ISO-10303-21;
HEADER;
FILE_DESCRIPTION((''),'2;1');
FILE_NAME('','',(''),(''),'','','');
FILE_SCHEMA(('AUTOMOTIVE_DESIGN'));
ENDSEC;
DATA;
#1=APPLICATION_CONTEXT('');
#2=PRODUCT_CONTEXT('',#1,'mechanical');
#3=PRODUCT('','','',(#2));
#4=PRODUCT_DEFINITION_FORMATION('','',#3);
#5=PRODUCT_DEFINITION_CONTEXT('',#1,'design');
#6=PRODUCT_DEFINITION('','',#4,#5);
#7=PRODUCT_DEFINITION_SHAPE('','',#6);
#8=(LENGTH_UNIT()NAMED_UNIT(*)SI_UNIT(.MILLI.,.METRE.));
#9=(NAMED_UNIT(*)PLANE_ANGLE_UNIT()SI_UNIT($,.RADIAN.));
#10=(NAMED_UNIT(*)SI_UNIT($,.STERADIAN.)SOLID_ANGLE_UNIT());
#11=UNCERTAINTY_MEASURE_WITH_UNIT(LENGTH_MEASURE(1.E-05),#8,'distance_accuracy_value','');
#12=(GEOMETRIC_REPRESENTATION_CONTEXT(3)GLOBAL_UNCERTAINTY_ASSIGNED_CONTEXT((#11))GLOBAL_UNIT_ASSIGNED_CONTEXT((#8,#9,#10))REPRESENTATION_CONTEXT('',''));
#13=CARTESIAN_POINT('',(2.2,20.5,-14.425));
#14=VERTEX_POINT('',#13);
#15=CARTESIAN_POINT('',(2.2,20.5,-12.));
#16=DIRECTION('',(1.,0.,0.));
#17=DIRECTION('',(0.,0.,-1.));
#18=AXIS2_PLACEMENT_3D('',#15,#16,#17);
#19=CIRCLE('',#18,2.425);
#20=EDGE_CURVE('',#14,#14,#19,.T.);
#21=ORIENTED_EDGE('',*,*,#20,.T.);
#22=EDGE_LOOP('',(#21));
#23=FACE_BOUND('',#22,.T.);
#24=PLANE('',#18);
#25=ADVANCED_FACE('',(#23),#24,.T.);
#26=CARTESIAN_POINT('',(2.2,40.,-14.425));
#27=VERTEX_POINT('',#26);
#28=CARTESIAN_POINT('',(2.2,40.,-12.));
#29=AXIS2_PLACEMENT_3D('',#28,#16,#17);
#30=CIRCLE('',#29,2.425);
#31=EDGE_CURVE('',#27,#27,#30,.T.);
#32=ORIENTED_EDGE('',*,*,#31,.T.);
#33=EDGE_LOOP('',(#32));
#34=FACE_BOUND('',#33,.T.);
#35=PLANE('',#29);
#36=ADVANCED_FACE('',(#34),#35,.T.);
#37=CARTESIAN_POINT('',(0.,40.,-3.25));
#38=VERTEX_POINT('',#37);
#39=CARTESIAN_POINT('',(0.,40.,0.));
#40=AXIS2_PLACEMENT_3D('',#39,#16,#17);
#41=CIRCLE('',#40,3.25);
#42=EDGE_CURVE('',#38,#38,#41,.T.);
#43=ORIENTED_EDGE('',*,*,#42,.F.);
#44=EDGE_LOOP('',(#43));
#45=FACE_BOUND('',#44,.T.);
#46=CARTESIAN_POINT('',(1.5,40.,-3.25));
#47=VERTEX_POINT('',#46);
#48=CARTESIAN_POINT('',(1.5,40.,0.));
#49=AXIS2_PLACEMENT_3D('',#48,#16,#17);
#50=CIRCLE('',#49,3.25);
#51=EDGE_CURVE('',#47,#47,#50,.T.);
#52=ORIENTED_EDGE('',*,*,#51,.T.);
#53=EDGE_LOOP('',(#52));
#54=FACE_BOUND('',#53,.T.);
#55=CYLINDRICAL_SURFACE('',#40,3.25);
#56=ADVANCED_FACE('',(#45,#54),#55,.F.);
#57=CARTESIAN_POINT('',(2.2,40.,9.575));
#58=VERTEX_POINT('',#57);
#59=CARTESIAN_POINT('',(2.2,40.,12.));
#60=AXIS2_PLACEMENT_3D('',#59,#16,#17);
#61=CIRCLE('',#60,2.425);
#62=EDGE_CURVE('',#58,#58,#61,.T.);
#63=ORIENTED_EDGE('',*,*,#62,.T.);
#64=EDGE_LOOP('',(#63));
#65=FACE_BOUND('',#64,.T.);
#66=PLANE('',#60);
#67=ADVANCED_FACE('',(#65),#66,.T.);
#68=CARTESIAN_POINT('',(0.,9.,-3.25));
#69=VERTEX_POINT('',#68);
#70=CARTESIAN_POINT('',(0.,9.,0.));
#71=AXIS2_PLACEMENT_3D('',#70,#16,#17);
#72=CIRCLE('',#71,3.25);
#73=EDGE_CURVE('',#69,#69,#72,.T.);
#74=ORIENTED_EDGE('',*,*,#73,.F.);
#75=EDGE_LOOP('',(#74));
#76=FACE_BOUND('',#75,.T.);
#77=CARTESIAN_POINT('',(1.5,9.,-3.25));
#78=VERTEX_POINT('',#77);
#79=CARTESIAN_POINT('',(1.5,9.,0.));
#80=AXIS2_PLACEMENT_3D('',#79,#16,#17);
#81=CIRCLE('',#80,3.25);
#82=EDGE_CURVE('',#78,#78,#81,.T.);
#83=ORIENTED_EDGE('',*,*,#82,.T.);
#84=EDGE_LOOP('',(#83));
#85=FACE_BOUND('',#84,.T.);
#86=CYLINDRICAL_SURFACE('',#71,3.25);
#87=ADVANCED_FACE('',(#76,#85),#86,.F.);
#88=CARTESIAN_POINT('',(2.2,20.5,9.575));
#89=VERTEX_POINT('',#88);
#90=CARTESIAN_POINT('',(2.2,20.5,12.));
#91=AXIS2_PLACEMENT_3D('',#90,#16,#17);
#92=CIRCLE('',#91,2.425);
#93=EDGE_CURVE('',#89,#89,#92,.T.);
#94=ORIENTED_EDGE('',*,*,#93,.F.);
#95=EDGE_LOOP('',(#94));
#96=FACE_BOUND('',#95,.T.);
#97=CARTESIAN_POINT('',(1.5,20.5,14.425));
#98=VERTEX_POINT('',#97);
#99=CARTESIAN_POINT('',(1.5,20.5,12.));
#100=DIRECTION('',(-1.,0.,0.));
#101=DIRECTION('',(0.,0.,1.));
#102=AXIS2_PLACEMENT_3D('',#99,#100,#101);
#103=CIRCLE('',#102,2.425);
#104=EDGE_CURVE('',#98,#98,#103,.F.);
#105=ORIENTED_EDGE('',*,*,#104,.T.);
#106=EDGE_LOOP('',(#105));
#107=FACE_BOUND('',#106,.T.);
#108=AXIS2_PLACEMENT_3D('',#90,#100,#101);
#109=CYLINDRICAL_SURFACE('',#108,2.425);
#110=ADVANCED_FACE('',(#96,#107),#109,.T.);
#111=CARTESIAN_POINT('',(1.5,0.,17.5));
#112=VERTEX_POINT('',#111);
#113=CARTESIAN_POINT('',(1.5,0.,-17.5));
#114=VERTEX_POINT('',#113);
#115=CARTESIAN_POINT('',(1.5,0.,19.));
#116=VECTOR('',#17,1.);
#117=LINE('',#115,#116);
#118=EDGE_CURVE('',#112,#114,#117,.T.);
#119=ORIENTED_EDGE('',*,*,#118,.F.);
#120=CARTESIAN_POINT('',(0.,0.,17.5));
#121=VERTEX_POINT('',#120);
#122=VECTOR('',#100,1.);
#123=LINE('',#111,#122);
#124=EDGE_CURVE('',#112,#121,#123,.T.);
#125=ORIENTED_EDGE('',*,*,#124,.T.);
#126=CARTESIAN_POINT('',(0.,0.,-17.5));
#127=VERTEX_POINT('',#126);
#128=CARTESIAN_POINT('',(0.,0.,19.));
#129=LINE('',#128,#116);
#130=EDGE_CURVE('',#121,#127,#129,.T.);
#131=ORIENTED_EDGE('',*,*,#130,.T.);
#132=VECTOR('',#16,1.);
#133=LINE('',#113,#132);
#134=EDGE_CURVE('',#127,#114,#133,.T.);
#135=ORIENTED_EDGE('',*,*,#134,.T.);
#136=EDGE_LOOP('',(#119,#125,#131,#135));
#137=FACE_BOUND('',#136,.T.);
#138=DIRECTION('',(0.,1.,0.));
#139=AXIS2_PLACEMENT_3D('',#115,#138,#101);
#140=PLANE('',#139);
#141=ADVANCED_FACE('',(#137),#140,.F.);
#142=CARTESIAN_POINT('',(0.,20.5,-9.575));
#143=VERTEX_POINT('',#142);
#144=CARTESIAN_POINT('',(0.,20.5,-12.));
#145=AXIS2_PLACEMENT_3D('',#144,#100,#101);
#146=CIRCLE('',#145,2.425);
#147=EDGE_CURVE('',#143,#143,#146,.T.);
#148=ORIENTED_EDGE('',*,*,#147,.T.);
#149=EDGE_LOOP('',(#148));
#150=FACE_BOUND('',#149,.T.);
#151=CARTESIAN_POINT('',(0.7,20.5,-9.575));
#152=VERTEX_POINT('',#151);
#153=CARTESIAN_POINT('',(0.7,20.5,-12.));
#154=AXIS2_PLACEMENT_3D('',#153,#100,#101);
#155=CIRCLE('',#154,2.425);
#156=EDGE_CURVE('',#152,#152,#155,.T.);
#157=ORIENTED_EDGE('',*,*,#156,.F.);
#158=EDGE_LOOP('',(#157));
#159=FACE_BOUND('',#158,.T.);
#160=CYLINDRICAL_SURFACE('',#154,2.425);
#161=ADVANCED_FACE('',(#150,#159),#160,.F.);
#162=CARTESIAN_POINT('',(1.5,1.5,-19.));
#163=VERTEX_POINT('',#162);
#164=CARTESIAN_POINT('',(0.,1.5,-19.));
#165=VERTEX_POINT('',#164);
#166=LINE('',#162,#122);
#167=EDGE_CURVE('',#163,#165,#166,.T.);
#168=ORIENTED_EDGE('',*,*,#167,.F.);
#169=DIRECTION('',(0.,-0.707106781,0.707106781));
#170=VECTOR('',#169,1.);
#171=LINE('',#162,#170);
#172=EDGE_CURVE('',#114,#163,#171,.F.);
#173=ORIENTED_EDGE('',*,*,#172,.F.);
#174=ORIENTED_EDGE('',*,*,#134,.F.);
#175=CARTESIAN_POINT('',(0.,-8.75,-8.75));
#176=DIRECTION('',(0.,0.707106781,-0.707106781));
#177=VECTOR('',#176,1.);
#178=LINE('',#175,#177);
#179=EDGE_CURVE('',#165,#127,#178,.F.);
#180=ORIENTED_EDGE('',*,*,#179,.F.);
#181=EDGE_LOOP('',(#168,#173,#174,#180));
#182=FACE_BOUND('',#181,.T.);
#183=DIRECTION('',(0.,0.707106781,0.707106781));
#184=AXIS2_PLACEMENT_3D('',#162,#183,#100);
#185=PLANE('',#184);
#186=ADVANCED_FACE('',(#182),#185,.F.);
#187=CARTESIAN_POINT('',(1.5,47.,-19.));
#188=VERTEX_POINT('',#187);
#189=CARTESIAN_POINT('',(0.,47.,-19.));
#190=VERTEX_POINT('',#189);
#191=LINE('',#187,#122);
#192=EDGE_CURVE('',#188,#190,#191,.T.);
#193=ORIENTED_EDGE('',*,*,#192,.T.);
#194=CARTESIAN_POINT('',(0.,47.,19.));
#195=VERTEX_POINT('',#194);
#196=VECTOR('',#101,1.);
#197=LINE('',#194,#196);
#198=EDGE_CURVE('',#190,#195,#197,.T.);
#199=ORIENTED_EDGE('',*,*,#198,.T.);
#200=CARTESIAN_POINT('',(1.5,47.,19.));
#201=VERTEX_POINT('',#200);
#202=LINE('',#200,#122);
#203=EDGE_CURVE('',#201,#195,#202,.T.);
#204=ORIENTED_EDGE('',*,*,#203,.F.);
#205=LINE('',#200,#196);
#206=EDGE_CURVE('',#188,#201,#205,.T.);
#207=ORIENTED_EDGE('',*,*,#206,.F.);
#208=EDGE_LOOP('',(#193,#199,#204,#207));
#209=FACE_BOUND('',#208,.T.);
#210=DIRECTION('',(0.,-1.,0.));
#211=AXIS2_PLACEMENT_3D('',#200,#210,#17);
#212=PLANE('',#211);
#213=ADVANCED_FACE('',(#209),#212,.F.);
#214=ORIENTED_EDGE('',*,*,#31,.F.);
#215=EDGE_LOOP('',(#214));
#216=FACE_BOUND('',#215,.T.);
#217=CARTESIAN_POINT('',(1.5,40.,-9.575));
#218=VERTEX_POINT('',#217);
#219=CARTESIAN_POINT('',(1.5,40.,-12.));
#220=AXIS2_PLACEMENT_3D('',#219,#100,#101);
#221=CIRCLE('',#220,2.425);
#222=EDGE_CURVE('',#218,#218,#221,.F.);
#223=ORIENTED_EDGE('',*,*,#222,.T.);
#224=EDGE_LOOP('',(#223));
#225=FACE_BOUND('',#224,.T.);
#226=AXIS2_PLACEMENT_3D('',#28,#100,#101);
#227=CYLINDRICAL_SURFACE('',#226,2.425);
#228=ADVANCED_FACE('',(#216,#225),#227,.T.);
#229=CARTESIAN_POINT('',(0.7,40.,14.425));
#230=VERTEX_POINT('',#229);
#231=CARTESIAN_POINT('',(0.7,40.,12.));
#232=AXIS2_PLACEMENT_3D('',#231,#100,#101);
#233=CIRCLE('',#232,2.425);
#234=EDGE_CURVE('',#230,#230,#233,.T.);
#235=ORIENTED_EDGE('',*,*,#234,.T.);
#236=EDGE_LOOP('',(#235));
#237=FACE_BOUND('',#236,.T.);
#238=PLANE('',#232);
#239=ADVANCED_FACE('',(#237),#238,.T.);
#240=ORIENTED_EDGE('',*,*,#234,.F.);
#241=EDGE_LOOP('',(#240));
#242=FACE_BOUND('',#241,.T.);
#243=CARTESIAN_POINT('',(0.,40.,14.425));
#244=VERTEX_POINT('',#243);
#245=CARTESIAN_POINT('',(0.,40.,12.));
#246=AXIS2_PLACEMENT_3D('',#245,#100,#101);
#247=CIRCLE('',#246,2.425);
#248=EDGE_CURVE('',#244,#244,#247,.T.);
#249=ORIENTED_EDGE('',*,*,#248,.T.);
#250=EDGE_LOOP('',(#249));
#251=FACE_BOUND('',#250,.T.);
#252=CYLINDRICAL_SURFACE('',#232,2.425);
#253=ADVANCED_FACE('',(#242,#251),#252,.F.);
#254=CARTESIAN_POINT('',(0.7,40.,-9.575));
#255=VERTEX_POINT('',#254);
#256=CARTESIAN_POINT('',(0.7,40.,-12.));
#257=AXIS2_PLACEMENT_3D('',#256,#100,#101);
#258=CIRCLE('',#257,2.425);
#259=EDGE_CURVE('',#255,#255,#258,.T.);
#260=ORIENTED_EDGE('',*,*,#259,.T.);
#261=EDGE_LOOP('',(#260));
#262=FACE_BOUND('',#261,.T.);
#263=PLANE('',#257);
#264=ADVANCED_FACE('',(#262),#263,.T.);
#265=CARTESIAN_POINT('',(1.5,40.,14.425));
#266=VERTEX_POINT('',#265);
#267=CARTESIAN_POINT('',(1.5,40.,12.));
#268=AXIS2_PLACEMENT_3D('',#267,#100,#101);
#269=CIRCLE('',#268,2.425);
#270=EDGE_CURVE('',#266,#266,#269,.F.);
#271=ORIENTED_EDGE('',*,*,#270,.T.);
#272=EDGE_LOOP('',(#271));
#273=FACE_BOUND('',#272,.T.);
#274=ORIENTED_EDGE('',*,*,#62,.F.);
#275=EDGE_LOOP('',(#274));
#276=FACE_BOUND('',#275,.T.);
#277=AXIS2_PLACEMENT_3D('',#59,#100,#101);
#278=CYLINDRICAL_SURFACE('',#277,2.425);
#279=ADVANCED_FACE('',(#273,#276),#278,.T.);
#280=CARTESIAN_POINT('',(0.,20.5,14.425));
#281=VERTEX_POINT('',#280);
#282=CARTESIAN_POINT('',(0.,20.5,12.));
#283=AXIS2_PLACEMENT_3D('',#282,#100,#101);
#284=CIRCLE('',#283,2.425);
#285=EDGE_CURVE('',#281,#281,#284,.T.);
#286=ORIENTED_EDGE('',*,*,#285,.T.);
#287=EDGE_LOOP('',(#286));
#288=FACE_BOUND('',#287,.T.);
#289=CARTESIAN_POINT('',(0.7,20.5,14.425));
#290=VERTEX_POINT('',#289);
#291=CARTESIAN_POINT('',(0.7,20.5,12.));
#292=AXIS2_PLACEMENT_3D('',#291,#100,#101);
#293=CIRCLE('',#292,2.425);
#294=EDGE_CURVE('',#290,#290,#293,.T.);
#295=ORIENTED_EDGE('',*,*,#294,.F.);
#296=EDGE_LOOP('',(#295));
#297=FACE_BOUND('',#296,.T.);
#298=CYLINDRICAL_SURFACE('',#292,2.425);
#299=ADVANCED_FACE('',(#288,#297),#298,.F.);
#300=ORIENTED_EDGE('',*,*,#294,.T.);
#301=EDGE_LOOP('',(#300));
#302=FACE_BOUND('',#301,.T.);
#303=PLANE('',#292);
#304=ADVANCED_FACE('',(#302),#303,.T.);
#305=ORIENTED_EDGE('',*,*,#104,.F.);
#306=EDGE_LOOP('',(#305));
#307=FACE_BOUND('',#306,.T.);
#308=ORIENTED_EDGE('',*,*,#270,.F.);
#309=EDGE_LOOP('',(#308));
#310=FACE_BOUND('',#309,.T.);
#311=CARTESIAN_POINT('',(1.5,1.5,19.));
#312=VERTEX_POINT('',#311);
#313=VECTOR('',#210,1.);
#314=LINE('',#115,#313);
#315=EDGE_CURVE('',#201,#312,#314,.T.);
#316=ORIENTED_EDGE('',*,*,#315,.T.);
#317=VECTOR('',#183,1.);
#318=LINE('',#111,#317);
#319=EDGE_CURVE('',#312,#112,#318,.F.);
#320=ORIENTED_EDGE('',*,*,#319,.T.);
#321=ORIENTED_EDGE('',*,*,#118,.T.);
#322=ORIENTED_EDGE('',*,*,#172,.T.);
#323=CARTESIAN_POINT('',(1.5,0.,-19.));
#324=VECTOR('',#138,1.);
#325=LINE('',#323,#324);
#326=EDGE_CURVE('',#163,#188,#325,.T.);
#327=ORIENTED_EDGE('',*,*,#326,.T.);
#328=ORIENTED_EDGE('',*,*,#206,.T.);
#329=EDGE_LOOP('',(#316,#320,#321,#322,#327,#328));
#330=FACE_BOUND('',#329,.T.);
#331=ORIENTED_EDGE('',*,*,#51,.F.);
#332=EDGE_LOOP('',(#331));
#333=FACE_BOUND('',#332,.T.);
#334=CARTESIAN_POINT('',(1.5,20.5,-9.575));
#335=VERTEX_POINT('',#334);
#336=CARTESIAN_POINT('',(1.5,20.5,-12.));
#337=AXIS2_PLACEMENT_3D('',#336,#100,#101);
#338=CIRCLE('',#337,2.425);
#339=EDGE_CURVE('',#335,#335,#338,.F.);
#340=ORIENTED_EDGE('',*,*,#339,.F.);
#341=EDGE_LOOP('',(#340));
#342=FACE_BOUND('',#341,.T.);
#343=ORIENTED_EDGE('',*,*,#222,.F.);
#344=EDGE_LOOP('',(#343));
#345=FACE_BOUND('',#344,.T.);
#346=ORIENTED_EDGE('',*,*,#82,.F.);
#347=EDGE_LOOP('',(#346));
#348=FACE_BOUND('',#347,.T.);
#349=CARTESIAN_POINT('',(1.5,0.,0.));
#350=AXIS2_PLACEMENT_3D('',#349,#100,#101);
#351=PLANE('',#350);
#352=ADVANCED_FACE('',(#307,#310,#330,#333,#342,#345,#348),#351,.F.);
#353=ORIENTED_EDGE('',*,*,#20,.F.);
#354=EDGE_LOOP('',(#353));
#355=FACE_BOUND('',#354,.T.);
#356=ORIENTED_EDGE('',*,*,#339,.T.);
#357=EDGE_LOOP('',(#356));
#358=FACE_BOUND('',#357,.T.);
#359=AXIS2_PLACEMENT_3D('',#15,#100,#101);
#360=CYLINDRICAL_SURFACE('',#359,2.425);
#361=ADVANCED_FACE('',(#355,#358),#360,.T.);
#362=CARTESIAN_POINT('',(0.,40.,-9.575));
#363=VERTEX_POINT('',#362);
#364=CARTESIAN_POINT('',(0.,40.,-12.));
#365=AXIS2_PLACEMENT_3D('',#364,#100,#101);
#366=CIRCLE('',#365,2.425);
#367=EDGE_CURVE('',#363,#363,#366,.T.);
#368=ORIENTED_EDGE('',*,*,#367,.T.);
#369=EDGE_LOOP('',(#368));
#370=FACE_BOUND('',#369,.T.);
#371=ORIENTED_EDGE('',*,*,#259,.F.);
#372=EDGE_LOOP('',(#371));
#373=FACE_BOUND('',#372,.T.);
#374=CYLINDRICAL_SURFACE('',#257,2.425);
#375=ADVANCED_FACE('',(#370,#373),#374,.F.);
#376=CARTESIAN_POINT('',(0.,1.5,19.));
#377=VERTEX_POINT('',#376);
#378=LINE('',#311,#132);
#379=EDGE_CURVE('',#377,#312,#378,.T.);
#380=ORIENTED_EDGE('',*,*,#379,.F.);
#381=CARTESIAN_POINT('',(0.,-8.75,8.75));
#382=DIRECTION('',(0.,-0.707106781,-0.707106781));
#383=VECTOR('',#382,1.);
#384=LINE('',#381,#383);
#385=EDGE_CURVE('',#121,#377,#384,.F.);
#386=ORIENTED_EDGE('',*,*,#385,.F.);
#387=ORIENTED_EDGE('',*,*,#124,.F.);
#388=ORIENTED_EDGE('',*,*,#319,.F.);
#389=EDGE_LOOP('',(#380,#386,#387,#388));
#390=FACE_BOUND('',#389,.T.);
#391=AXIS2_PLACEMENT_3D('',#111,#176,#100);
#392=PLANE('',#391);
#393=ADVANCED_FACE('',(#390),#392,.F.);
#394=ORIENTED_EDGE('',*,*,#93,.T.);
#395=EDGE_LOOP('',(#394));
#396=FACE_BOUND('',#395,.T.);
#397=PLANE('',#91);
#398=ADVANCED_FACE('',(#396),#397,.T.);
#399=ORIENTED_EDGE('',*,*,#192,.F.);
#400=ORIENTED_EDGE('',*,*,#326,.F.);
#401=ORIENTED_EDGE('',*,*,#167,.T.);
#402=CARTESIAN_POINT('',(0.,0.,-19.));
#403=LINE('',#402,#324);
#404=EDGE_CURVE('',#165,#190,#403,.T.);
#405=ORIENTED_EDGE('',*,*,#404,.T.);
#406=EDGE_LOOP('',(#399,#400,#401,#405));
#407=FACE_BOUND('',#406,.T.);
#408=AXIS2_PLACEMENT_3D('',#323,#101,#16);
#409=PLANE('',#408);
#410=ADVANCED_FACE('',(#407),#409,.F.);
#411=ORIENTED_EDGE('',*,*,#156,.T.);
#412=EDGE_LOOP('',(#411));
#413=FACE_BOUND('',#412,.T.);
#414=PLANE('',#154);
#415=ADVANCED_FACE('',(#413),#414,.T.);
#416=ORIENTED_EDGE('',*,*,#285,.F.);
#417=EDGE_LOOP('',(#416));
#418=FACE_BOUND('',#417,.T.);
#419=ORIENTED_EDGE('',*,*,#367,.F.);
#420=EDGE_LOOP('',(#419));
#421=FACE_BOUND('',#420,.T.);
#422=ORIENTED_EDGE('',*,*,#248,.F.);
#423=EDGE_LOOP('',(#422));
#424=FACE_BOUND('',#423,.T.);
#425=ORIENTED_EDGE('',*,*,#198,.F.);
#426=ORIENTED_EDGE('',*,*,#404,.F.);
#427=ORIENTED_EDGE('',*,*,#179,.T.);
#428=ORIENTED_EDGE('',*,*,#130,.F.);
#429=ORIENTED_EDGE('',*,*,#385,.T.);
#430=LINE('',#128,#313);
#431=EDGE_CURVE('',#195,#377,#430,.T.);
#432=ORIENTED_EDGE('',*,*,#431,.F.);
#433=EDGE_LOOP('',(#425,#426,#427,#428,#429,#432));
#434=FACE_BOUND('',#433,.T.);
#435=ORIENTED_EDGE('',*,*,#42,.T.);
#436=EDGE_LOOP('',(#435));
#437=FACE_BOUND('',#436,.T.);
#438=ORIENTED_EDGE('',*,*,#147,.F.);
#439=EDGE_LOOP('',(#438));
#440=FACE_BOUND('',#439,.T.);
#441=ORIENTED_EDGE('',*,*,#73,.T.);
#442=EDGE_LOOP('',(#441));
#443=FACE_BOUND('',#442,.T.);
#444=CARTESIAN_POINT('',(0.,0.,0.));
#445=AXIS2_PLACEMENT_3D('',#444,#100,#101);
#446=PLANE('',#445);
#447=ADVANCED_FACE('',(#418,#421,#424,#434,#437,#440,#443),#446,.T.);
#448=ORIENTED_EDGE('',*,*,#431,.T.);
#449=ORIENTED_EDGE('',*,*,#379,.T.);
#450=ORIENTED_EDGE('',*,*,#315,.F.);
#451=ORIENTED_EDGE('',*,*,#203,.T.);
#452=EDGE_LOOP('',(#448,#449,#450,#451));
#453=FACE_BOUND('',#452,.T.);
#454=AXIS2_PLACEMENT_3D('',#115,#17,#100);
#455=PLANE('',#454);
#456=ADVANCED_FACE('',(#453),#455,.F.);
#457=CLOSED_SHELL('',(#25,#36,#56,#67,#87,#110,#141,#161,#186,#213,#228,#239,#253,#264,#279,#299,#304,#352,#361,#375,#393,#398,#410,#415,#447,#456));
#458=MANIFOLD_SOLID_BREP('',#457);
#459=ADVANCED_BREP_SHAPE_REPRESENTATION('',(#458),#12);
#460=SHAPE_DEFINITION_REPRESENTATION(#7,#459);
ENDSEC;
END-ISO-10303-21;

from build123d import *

# Parameters (mm, degrees)
SKETCH1_W           = 38
SKETCH1_H           = 47
BOSS_EXTRUDE1_DEPTH = 1.5
SKETCH2_R           = 3.25
CUT_EXTRUDE1_DEPTH  = 51.717354032
SKETCH3_R           = 2.425
CUT_EXTRUDE2_DEPTH  = 0.7
SKETCH4_R           = 2.425
BOSS_EXTRUDE2_DEPTH = 0.7
CHAMFER1_SIZE       = 1.5


with BuildPart() as part:
    # Sketch1 → Boss-Extrude1 (new body)
    with BuildSketch(Plane(origin=(0, 0, 0), x_dir=(0, 0, -1), z_dir=(1, 0, 0))):
        with Locations((0, 23.5)):
            Rectangle(SKETCH1_W, SKETCH1_H)
    extrude(amount=BOSS_EXTRUDE1_DEPTH)

    # Sketch2 → Cut-Extrude1 (cut, through all)
    with BuildSketch(Plane(origin=(1.5, 0, 0), x_dir=(0, 0, -1), z_dir=(1, 0, 0))):
        with Locations((0, 9)):
            Circle(SKETCH2_R)
        with Locations((0, 40)):
            Circle(SKETCH2_R)
    extrude(amount=-CUT_EXTRUDE1_DEPTH, mode=Mode.SUBTRACT)

    # Sketch3 → Cut-Extrude2 (cut)
    with BuildSketch(Plane.ZY):
        with Locations((-12, 40)):
            Circle(SKETCH3_R)
        with Locations((12, 40)):
            Circle(SKETCH3_R)
        with Locations((-12, 20.5)):
            Circle(SKETCH3_R)
        with Locations((12, 20.5)):
            Circle(SKETCH3_R)
    extrude(amount=-CUT_EXTRUDE2_DEPTH, mode=Mode.SUBTRACT)

    # Sketch4 → Boss-Extrude2 (add)
    with BuildSketch(Plane(origin=(1.5, 0, 0), x_dir=(0, 0, -1), z_dir=(1, 0, 0))):
        with Locations(Location((-12, 40, 0), (0, 0, 180))):
            Circle(SKETCH4_R)
        with Locations(Location((12, 40, 0), (0, 0, 180))):
            Circle(SKETCH4_R)
        with Locations(Location((-12, 20.5, 0), (0, 0, 180))):
            Circle(SKETCH4_R)
        with Locations(Location((12, 20.5, 0), (0, 0, 180))):
            Circle(SKETCH4_R)
    extrude(amount=BOSS_EXTRUDE2_DEPTH)

    # Chamfer1
    chamfer1_edges = [part.edges().sort_by_distance(p)[0] for p in [
        (0.75, 0, -19),
        (0.75, 0, 19),
    ]]
    chamfer(chamfer1_edges, length=CHAMFER1_SIZE)


solid = part.part
